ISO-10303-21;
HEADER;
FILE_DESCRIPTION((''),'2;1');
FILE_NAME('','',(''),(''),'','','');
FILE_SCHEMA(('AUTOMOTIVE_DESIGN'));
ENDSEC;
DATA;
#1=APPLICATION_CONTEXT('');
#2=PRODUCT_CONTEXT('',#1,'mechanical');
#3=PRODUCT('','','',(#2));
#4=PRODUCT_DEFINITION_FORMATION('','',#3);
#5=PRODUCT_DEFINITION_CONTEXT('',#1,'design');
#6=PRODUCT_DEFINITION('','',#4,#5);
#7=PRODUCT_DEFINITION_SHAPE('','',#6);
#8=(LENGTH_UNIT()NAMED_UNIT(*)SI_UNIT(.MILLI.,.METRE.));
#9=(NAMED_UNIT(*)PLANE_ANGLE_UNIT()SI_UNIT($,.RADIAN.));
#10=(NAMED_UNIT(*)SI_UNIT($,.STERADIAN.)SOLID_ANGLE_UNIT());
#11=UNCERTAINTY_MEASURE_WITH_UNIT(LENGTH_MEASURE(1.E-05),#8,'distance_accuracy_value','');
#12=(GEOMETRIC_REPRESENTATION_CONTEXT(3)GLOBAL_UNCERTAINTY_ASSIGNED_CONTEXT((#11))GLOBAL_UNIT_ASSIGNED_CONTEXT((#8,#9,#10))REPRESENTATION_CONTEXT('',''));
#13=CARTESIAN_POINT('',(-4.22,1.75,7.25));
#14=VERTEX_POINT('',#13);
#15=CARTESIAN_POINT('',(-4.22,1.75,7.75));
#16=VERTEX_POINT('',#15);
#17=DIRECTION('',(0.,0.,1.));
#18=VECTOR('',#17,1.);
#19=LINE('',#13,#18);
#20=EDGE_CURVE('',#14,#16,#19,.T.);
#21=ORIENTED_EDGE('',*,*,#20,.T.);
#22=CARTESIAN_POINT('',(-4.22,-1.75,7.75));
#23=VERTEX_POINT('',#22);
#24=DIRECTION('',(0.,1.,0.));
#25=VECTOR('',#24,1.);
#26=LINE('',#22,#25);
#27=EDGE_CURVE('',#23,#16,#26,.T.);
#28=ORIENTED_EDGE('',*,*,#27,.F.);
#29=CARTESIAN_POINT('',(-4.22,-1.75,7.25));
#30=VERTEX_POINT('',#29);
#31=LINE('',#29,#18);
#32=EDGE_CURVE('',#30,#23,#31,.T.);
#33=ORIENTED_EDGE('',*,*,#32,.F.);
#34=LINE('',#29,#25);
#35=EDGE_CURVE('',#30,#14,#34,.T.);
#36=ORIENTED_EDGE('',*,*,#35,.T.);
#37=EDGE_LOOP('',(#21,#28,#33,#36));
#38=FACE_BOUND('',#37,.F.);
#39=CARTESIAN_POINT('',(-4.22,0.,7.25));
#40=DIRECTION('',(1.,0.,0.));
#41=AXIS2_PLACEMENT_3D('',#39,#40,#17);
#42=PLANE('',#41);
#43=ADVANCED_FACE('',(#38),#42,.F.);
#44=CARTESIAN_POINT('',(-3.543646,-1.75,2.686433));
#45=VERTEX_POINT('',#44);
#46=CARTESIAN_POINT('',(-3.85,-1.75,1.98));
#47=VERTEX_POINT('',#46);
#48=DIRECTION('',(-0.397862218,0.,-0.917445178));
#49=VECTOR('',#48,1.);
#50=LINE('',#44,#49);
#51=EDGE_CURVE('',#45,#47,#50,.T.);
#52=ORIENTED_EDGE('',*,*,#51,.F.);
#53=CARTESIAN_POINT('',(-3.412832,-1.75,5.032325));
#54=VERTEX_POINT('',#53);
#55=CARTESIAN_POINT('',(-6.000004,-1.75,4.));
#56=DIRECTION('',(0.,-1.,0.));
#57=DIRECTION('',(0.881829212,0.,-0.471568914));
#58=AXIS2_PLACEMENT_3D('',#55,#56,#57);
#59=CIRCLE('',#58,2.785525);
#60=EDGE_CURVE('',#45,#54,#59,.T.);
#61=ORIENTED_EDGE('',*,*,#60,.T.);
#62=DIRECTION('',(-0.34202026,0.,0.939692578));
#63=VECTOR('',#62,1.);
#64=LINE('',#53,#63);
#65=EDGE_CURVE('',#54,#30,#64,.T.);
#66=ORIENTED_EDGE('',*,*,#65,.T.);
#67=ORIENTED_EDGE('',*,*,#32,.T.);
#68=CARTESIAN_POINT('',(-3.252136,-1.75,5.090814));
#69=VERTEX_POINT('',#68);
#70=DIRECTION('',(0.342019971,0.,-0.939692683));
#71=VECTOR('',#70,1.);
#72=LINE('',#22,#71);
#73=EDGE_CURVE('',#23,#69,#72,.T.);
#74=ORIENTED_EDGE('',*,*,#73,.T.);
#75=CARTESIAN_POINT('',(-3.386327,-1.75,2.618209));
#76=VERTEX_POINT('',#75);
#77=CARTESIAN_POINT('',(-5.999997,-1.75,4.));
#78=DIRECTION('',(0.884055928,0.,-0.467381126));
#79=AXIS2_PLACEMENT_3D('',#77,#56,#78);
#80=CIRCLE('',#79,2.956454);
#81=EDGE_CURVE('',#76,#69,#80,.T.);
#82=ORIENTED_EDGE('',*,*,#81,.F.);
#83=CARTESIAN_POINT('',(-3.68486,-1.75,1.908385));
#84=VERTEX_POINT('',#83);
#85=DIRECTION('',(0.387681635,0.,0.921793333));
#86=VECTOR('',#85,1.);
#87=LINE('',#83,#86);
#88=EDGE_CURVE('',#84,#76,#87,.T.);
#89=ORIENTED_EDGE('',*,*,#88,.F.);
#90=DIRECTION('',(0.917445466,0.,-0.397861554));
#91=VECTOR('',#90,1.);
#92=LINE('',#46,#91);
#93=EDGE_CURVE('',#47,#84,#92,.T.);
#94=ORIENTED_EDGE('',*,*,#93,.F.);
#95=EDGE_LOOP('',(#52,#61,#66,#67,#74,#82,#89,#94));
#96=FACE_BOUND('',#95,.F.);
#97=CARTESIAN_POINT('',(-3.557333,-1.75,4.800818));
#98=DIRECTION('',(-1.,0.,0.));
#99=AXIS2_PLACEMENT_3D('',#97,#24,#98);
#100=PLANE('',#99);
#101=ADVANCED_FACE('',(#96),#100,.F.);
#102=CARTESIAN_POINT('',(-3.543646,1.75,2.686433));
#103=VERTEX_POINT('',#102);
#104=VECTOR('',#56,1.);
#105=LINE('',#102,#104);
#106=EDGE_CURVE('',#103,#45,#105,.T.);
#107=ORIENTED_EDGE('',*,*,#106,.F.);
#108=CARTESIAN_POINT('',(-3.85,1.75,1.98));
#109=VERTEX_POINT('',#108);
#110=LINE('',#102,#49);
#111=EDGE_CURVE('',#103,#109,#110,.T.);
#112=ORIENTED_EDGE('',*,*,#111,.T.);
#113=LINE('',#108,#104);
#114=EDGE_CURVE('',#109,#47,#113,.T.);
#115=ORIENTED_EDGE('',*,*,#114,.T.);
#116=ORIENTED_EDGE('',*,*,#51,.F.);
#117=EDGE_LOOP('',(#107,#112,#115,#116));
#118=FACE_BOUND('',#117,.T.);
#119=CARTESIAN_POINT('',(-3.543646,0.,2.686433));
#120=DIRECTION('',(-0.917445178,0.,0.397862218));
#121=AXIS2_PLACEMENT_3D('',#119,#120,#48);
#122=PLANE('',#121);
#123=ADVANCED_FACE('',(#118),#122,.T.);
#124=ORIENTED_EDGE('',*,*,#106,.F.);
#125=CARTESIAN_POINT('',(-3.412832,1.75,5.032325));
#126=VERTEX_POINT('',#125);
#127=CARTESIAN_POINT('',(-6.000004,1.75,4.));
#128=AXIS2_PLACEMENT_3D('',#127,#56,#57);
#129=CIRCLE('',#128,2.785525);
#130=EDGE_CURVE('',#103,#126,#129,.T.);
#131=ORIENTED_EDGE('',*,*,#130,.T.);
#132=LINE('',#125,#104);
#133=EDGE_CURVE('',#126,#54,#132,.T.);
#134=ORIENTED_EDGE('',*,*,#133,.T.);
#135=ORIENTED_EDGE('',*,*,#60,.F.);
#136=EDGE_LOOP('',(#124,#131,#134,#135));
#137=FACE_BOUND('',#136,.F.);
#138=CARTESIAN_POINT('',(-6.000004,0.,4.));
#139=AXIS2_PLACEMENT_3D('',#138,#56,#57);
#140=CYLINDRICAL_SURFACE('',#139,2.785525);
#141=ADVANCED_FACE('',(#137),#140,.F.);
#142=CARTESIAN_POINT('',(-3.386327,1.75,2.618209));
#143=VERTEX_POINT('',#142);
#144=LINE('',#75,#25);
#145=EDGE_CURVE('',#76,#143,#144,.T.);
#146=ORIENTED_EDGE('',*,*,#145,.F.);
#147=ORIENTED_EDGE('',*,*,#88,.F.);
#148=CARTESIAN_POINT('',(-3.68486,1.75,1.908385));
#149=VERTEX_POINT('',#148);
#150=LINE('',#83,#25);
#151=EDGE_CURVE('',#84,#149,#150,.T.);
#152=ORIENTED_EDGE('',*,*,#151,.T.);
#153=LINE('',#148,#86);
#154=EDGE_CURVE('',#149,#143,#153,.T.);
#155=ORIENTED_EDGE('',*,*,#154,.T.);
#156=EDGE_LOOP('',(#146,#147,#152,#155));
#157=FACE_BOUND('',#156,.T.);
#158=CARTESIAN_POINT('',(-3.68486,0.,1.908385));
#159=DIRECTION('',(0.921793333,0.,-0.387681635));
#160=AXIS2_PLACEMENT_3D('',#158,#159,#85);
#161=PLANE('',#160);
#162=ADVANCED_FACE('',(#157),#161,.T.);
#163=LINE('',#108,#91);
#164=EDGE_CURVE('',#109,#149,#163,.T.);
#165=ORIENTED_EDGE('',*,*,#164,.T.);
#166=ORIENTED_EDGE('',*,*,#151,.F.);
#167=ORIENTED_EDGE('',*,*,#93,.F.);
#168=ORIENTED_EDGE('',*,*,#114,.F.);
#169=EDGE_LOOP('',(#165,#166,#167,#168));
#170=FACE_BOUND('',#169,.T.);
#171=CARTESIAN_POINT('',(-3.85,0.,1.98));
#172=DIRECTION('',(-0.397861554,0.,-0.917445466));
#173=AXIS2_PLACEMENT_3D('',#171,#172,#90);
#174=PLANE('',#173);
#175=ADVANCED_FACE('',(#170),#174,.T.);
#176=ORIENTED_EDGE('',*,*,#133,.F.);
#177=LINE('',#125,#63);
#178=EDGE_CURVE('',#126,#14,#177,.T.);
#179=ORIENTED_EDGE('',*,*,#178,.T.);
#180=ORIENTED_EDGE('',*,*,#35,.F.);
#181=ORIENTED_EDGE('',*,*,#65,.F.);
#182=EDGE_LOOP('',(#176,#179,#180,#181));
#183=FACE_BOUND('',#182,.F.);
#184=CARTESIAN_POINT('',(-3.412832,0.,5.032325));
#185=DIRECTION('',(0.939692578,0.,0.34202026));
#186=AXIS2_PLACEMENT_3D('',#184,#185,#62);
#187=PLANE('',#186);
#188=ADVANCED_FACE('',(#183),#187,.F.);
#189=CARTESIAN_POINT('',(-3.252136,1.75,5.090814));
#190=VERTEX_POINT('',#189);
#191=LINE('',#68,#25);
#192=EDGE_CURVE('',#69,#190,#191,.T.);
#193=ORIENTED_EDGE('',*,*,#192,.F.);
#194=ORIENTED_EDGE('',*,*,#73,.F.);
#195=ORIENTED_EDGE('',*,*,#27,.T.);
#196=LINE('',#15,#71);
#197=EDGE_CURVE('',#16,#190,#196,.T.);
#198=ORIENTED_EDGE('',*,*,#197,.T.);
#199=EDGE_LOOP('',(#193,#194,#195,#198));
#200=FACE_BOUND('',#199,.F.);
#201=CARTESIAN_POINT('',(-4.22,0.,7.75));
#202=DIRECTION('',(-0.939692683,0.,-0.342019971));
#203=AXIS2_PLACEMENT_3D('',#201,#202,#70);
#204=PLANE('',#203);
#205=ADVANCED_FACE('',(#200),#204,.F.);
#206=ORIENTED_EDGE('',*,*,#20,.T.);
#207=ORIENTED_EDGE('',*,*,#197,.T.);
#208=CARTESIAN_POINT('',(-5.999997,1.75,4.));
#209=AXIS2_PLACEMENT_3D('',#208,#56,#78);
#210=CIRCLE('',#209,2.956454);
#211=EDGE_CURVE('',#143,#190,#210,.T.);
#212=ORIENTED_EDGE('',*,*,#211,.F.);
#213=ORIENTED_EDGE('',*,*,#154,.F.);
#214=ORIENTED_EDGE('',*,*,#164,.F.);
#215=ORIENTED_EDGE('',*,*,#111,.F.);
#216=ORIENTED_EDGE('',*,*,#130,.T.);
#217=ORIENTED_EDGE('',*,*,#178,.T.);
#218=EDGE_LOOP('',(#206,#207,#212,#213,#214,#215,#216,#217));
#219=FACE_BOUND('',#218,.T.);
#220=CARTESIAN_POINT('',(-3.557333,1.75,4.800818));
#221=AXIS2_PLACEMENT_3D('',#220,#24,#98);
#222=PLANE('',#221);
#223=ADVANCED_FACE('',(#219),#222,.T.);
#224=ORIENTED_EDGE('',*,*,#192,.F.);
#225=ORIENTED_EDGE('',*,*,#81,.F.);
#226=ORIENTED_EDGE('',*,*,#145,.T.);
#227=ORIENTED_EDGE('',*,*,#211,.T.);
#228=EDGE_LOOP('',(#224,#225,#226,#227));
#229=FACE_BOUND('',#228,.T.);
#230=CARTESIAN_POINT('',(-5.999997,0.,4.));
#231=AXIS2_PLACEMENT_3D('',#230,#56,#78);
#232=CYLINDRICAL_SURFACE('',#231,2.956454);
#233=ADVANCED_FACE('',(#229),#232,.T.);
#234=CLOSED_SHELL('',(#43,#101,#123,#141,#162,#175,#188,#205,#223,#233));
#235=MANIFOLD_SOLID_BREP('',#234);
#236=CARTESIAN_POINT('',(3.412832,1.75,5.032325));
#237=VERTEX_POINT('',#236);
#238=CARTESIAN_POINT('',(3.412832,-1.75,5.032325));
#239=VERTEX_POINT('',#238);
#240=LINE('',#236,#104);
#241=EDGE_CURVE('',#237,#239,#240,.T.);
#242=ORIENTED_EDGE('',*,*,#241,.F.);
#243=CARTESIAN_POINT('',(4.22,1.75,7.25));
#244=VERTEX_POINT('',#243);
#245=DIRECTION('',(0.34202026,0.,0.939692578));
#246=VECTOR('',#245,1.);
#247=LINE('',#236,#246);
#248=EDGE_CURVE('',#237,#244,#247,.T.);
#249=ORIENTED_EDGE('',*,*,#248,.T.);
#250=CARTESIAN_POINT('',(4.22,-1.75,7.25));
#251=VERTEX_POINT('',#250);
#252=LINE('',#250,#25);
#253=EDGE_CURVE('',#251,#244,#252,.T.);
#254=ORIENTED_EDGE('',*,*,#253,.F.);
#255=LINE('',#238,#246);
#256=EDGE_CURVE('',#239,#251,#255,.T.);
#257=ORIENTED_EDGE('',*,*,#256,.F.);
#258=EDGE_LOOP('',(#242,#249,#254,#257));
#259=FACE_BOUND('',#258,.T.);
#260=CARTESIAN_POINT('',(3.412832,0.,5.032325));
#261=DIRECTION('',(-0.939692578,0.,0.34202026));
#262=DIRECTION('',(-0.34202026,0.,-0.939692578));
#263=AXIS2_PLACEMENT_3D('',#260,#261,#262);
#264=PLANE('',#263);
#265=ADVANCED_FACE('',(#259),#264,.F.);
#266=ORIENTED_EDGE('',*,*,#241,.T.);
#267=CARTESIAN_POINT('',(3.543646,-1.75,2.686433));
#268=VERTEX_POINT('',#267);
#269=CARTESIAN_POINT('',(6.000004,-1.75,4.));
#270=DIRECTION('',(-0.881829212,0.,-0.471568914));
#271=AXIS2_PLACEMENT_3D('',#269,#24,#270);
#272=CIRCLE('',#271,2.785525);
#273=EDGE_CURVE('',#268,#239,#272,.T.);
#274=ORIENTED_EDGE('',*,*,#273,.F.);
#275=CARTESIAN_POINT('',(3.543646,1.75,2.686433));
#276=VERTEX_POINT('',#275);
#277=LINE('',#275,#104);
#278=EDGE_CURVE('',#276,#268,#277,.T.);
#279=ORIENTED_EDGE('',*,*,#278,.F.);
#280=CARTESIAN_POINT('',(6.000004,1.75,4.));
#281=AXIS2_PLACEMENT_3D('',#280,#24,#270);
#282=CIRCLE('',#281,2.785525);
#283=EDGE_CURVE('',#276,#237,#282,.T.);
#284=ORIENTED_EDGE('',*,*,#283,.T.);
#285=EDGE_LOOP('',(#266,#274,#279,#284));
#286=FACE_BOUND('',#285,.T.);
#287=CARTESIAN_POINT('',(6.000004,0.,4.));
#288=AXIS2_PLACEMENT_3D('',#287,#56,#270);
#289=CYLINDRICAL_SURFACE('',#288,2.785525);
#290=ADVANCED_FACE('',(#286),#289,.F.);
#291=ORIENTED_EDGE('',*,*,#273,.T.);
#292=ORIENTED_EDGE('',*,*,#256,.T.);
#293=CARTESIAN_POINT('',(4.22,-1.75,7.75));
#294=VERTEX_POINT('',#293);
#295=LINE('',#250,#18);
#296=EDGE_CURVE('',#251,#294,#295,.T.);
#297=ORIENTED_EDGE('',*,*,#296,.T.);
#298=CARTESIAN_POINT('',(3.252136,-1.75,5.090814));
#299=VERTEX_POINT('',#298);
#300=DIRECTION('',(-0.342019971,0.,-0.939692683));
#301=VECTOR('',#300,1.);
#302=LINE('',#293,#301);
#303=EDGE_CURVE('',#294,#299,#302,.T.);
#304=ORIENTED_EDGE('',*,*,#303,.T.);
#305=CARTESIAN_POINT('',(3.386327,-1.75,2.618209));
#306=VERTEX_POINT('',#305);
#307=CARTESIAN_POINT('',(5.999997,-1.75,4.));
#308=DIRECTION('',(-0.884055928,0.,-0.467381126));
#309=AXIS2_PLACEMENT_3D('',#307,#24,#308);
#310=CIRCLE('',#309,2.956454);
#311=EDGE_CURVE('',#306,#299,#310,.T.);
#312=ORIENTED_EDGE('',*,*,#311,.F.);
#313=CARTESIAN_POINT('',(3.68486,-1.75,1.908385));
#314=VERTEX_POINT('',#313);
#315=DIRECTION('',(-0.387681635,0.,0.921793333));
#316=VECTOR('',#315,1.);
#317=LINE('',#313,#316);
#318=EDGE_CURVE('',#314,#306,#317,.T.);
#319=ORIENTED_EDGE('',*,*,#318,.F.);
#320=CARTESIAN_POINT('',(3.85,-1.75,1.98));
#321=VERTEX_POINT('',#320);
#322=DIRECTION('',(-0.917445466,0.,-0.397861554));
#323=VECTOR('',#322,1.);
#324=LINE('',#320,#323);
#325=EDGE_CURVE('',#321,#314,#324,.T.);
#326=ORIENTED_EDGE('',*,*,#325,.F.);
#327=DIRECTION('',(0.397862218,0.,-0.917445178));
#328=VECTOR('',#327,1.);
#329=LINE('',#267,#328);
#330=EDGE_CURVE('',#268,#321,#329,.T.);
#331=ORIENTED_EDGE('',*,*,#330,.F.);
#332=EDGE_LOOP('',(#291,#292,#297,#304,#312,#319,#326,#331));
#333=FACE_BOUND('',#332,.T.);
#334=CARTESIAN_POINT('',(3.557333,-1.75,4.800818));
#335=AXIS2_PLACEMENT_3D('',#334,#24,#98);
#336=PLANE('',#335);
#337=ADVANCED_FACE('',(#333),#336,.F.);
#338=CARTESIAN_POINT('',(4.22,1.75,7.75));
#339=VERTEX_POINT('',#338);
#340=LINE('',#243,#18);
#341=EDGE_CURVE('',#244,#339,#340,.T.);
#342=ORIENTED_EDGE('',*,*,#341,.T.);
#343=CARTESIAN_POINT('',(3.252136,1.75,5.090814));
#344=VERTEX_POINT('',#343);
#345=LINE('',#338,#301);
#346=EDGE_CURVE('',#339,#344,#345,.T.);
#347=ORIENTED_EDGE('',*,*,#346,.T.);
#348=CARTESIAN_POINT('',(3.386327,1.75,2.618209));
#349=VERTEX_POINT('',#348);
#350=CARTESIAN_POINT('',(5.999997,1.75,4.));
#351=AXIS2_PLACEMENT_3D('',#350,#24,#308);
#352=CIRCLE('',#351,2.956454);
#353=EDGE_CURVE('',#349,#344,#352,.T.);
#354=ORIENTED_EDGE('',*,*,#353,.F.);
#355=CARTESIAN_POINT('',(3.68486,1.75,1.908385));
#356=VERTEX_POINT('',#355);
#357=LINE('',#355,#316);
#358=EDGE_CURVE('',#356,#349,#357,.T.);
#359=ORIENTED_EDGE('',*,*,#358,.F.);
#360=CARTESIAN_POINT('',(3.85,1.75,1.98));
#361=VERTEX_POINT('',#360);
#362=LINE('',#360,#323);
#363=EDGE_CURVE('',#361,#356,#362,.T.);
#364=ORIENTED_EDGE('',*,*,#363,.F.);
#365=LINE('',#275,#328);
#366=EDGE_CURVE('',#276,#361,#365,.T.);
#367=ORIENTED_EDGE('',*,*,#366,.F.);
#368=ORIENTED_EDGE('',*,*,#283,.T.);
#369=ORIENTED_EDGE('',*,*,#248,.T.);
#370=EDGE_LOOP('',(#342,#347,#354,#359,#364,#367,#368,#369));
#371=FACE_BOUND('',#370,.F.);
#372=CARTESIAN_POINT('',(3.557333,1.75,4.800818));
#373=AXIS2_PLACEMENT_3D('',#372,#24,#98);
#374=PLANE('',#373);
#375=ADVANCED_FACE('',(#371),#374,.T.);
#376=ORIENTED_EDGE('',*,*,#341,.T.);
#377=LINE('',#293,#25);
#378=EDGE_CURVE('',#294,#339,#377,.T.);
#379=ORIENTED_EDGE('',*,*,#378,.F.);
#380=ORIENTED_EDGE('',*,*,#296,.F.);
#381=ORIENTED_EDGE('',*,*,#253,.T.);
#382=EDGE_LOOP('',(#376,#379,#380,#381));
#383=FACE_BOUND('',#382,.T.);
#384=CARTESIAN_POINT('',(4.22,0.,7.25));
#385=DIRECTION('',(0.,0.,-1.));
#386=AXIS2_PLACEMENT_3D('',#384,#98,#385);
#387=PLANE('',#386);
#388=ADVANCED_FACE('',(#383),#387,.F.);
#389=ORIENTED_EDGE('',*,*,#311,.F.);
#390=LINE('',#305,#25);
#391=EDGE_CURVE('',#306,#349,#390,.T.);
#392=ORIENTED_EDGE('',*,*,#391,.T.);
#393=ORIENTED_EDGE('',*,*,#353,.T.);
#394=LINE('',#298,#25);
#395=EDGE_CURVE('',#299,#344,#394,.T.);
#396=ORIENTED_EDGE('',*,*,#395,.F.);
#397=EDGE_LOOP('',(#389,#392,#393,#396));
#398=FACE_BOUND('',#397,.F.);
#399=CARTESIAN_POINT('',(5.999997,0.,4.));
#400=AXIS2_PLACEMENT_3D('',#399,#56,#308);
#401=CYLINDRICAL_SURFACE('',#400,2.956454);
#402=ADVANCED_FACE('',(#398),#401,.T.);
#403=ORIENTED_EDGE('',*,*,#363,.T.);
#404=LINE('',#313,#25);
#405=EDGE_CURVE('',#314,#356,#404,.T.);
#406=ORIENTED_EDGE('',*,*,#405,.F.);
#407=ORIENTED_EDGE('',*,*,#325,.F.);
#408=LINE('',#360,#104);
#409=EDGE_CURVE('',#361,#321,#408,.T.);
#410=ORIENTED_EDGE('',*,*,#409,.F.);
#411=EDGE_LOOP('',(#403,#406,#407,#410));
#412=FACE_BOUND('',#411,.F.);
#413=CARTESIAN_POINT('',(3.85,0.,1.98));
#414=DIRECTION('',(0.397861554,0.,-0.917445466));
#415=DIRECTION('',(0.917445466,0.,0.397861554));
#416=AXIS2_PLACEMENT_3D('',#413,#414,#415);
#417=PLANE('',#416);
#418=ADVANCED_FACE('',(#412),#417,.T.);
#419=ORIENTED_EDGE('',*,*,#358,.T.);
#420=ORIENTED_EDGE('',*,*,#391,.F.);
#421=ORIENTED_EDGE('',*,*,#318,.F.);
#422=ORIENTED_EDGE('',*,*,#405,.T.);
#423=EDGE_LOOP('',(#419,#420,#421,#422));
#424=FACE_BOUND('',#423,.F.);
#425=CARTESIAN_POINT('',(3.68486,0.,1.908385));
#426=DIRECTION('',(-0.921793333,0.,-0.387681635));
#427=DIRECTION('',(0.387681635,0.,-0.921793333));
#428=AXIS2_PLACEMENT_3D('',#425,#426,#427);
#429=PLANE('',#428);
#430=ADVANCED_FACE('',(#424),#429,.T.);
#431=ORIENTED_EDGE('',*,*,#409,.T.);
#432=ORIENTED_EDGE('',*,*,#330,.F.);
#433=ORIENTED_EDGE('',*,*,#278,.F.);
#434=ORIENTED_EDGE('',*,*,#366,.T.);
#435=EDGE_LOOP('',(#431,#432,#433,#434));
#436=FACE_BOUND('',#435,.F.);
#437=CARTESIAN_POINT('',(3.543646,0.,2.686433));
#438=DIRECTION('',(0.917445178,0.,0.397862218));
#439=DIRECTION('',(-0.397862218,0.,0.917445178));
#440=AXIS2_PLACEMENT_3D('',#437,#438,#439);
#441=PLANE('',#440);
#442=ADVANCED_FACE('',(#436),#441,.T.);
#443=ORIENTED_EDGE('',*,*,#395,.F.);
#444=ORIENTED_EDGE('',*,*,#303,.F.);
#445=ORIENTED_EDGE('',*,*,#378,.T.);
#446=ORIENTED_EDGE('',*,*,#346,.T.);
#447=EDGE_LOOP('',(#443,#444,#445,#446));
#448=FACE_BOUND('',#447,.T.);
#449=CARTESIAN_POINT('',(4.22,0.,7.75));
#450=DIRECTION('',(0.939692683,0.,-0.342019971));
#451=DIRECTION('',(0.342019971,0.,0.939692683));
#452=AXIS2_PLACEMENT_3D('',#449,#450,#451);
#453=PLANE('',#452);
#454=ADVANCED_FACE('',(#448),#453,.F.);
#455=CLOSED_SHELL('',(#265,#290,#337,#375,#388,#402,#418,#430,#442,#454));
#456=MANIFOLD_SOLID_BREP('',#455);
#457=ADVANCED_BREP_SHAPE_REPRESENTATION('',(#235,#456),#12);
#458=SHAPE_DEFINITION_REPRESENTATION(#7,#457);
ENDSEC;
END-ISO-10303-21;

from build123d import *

# Parameters (mm, degrees)
PAD002_DEPTH = 1.75


with BuildPart() as left_side_contact:
    # Sketch003 → Pad002 (new body, symmetric)
    with BuildSketch(Plane.XZ):
        with BuildLine():
            Line((-3.412832, 5.032325), (-4.22, 7.25))
            Line((-4.22, 7.25), (-4.22, 7.75))
            Line((-4.22, 7.75), (-3.252136, 5.090814))
            ThreePointArc((-3.386327, 2.618209), (-3.047888, 3.839786), (-3.252136, 5.090814))
            Line((-3.68486, 1.908385), (-3.386327, 2.618209))
            Line((-3.85, 1.98), (-3.68486, 1.908385))
            Line((-3.543646, 2.686433), (-3.85, 1.98))
            ThreePointArc((-3.543646, 2.686433), (-3.218799, 3.844912), (-3.412832, 5.032325))
        make_face()
    extrude(amount=PAD002_DEPTH, both=True)


with BuildPart() as side_contacts001:
    # Part__Mirroring: instance of left-side-contact
    add(left_side_contact.part.mirror(Plane(origin=(0, 0, 0), x_dir=(0, -1, 0), z_dir=(1, 0, 0))))

    # Fusion008: union left-side-contact
    add(left_side_contact.part)


solid = side_contacts001.part
